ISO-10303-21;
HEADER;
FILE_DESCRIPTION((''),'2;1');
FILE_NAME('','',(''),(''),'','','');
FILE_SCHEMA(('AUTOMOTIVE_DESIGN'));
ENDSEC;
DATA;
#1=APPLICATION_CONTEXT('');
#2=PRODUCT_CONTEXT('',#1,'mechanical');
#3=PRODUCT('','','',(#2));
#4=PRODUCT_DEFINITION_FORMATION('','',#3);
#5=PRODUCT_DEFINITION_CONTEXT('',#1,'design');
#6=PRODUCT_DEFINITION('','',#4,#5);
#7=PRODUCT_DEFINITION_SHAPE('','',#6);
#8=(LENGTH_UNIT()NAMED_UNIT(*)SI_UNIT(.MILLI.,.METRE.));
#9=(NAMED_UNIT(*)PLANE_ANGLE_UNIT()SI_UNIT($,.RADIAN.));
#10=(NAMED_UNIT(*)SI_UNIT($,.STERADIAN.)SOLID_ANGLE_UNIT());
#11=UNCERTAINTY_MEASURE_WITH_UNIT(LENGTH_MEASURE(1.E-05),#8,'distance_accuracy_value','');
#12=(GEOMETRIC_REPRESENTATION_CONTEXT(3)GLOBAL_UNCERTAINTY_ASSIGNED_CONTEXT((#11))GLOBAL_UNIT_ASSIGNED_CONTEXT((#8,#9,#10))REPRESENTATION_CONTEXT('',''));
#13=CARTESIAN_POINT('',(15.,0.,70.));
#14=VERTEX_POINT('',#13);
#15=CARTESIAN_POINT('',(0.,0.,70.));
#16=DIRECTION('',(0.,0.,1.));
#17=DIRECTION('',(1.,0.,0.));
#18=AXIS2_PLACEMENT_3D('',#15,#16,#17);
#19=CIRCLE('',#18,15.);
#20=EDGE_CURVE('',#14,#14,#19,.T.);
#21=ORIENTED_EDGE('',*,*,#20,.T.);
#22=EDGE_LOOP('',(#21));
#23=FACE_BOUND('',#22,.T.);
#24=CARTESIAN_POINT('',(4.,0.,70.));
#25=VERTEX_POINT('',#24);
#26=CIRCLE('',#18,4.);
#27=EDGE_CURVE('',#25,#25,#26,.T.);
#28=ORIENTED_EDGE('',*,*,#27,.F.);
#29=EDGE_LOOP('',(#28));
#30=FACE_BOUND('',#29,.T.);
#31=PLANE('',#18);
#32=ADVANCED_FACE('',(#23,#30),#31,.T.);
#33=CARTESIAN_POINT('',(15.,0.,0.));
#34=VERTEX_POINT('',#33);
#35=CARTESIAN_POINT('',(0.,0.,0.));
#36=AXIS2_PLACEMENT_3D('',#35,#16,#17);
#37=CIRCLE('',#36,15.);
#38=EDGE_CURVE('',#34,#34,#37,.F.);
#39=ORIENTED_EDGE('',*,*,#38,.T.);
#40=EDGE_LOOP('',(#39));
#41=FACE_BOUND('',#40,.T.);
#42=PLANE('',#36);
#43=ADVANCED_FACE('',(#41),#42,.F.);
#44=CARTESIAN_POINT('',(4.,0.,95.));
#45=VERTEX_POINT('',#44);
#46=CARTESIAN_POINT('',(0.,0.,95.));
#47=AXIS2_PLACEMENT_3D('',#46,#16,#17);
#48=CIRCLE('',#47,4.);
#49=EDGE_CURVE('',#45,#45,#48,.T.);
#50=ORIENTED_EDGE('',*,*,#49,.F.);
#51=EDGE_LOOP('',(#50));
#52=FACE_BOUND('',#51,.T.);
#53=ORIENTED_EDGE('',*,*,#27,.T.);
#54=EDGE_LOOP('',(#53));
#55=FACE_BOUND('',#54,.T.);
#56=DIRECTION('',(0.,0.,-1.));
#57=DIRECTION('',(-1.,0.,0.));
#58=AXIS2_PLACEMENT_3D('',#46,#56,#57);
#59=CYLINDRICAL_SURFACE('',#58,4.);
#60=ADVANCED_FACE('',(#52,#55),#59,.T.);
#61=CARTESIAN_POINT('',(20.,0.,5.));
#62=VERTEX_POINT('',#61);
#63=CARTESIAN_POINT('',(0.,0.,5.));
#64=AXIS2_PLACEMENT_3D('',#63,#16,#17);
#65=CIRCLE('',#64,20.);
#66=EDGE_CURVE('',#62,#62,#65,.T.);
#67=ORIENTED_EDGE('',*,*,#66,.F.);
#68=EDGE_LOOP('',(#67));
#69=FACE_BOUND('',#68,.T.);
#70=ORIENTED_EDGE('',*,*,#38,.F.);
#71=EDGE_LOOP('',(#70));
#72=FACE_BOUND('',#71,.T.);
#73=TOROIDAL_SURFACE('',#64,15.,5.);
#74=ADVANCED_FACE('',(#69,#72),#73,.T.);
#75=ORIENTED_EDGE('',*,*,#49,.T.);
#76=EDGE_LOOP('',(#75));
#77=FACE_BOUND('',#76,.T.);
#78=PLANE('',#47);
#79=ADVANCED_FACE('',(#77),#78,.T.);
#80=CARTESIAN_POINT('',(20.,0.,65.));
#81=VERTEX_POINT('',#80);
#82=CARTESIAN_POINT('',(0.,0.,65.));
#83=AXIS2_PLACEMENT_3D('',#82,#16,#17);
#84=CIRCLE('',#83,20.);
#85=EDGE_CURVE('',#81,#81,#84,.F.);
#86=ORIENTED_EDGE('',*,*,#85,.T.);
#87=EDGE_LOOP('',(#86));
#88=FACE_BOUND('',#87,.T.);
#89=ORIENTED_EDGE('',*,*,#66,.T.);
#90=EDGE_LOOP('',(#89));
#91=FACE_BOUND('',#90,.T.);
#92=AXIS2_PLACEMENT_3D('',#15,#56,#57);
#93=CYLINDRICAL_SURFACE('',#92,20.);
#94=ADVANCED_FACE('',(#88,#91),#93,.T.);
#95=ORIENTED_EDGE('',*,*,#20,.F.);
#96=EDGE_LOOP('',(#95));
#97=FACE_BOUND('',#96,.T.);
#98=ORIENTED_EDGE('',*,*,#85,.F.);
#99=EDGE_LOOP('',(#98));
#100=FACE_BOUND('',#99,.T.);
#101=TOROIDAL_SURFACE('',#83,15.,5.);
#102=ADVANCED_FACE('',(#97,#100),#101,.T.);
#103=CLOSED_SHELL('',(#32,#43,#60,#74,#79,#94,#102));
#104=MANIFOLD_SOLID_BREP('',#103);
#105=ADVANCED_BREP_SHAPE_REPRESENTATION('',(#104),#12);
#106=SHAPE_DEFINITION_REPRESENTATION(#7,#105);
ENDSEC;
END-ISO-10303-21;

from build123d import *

# Parameters (mm, degrees)
SKETCH1_R           = 20
BOSS_EXTRUDE1_DEPTH = 70
SKETCH2_R           = 4
BOSS_EXTRUDE2_DEPTH = 25
FILLET1_R           = 5


with BuildPart() as part:
    # Sketch1 → Boss-Extrude1 (new body)
    with BuildSketch(Plane.XY):
        Circle(SKETCH1_R)
    extrude(amount=BOSS_EXTRUDE1_DEPTH)

    # Sketch2 → Boss-Extrude2 (add)
    with BuildSketch(Plane.XY.offset(70)):
        Circle(SKETCH2_R)
    extrude(amount=BOSS_EXTRUDE2_DEPTH)

    # Fillet1
    fillet1_edges = [part.edges().sort_by_distance(p)[0] for p in [
        (-20, 0, 0),
        (-20, 0, 70),
    ]]
    fillet(fillet1_edges, radius=FILLET1_R)


solid = part.part
